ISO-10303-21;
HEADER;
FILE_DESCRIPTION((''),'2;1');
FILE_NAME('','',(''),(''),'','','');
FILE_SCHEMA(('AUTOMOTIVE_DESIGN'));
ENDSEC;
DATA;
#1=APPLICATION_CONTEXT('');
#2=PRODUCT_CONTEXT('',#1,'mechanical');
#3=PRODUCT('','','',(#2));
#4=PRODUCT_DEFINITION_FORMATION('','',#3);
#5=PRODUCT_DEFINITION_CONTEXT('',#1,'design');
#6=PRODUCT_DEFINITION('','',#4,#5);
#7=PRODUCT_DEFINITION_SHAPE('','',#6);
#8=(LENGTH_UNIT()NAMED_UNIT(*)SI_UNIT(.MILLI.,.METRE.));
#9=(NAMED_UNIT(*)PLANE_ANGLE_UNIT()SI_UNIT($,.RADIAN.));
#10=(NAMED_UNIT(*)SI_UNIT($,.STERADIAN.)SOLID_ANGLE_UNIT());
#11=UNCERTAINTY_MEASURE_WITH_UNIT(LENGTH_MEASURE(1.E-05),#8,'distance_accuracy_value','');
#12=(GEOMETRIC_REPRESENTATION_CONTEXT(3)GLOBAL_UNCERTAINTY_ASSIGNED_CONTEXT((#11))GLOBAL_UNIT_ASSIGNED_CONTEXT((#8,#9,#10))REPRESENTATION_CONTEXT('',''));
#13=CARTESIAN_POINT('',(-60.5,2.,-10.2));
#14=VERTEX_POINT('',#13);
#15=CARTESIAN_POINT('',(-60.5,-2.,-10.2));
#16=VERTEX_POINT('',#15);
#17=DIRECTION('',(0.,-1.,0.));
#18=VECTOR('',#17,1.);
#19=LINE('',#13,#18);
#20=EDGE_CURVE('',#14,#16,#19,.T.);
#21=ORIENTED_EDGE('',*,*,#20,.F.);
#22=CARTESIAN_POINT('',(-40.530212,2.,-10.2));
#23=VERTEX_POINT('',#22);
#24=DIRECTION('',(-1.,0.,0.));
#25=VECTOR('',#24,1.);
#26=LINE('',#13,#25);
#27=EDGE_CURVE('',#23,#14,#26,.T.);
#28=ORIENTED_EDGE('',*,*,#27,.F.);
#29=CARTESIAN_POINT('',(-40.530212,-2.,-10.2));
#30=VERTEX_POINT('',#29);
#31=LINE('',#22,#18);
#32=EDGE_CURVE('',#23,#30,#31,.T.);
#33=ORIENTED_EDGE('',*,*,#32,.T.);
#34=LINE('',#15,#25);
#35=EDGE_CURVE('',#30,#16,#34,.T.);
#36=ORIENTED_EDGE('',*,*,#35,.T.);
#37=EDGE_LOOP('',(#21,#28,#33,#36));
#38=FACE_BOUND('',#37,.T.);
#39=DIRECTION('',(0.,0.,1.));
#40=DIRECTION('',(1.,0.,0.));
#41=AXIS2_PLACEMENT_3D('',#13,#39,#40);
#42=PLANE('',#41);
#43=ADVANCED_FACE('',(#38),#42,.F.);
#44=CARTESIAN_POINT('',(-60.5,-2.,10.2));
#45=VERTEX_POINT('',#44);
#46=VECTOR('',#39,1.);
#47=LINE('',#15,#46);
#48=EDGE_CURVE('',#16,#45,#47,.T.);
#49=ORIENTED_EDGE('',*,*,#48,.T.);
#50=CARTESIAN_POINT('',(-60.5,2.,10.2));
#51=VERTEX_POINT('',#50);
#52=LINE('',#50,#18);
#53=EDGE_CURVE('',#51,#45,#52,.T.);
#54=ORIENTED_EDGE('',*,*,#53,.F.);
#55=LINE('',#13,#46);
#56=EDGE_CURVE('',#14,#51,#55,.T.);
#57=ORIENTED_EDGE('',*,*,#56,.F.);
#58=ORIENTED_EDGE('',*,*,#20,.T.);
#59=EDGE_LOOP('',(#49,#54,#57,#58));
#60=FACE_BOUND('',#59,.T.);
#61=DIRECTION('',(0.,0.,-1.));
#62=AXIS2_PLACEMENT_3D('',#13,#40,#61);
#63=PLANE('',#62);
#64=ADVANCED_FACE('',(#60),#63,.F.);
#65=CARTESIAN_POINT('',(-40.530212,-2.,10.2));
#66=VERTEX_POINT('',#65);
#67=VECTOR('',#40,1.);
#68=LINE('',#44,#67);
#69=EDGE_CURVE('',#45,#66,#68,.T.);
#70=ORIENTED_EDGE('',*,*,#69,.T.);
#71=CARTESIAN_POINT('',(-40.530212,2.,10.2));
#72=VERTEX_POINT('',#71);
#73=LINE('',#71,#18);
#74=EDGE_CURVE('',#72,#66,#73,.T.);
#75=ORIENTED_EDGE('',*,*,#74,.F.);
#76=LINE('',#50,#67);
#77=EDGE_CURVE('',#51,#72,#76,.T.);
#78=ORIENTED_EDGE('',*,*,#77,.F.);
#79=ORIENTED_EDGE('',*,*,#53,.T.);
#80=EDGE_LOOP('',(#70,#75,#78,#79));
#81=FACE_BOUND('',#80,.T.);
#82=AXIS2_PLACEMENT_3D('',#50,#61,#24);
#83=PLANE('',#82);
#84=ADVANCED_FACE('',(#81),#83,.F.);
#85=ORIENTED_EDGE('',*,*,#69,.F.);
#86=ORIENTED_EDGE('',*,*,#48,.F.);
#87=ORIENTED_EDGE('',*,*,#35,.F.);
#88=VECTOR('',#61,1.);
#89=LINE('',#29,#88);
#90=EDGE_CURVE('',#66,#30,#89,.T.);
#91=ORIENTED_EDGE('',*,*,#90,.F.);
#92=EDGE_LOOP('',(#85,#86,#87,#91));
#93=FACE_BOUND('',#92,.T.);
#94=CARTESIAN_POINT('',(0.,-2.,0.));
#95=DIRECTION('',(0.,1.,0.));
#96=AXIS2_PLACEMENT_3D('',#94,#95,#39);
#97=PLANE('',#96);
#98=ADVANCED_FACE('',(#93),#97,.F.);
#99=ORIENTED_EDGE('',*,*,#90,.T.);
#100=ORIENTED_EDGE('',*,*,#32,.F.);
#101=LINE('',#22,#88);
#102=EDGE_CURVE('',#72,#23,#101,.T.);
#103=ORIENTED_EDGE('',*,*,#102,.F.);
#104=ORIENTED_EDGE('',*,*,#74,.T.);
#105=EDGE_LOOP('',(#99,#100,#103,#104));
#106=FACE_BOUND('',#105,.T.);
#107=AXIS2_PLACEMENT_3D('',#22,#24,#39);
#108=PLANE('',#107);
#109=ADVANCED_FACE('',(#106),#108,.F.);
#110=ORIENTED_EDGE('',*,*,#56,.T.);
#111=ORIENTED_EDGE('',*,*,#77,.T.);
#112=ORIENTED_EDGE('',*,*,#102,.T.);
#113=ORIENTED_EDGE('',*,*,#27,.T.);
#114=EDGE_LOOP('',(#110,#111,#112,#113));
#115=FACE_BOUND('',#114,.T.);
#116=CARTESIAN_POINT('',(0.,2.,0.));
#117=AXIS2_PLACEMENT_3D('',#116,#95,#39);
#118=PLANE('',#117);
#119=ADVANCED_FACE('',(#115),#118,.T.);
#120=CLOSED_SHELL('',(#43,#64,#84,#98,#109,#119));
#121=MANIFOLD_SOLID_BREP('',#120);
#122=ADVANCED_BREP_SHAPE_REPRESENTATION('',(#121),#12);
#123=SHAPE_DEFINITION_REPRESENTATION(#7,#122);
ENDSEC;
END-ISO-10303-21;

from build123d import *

# Parameters (mm, degrees)
SKETCH1_W           = 19.969788126
SKETCH1_H           = 20.4
BOSS_EXTRUDE1_DEPTH = 2


with BuildPart() as part:
    # Sketch1 → Boss-Extrude1 (new, symmetric)
    with BuildSketch(Plane(origin=(0, 0, 0), x_dir=(1, 0, 0), z_dir=(0, 1, 0))):
        with Locations((-50.515105937, 0)):
            Rectangle(SKETCH1_W, SKETCH1_H)
    extrude(amount=BOSS_EXTRUDE1_DEPTH, both=True)


solid = part.part
